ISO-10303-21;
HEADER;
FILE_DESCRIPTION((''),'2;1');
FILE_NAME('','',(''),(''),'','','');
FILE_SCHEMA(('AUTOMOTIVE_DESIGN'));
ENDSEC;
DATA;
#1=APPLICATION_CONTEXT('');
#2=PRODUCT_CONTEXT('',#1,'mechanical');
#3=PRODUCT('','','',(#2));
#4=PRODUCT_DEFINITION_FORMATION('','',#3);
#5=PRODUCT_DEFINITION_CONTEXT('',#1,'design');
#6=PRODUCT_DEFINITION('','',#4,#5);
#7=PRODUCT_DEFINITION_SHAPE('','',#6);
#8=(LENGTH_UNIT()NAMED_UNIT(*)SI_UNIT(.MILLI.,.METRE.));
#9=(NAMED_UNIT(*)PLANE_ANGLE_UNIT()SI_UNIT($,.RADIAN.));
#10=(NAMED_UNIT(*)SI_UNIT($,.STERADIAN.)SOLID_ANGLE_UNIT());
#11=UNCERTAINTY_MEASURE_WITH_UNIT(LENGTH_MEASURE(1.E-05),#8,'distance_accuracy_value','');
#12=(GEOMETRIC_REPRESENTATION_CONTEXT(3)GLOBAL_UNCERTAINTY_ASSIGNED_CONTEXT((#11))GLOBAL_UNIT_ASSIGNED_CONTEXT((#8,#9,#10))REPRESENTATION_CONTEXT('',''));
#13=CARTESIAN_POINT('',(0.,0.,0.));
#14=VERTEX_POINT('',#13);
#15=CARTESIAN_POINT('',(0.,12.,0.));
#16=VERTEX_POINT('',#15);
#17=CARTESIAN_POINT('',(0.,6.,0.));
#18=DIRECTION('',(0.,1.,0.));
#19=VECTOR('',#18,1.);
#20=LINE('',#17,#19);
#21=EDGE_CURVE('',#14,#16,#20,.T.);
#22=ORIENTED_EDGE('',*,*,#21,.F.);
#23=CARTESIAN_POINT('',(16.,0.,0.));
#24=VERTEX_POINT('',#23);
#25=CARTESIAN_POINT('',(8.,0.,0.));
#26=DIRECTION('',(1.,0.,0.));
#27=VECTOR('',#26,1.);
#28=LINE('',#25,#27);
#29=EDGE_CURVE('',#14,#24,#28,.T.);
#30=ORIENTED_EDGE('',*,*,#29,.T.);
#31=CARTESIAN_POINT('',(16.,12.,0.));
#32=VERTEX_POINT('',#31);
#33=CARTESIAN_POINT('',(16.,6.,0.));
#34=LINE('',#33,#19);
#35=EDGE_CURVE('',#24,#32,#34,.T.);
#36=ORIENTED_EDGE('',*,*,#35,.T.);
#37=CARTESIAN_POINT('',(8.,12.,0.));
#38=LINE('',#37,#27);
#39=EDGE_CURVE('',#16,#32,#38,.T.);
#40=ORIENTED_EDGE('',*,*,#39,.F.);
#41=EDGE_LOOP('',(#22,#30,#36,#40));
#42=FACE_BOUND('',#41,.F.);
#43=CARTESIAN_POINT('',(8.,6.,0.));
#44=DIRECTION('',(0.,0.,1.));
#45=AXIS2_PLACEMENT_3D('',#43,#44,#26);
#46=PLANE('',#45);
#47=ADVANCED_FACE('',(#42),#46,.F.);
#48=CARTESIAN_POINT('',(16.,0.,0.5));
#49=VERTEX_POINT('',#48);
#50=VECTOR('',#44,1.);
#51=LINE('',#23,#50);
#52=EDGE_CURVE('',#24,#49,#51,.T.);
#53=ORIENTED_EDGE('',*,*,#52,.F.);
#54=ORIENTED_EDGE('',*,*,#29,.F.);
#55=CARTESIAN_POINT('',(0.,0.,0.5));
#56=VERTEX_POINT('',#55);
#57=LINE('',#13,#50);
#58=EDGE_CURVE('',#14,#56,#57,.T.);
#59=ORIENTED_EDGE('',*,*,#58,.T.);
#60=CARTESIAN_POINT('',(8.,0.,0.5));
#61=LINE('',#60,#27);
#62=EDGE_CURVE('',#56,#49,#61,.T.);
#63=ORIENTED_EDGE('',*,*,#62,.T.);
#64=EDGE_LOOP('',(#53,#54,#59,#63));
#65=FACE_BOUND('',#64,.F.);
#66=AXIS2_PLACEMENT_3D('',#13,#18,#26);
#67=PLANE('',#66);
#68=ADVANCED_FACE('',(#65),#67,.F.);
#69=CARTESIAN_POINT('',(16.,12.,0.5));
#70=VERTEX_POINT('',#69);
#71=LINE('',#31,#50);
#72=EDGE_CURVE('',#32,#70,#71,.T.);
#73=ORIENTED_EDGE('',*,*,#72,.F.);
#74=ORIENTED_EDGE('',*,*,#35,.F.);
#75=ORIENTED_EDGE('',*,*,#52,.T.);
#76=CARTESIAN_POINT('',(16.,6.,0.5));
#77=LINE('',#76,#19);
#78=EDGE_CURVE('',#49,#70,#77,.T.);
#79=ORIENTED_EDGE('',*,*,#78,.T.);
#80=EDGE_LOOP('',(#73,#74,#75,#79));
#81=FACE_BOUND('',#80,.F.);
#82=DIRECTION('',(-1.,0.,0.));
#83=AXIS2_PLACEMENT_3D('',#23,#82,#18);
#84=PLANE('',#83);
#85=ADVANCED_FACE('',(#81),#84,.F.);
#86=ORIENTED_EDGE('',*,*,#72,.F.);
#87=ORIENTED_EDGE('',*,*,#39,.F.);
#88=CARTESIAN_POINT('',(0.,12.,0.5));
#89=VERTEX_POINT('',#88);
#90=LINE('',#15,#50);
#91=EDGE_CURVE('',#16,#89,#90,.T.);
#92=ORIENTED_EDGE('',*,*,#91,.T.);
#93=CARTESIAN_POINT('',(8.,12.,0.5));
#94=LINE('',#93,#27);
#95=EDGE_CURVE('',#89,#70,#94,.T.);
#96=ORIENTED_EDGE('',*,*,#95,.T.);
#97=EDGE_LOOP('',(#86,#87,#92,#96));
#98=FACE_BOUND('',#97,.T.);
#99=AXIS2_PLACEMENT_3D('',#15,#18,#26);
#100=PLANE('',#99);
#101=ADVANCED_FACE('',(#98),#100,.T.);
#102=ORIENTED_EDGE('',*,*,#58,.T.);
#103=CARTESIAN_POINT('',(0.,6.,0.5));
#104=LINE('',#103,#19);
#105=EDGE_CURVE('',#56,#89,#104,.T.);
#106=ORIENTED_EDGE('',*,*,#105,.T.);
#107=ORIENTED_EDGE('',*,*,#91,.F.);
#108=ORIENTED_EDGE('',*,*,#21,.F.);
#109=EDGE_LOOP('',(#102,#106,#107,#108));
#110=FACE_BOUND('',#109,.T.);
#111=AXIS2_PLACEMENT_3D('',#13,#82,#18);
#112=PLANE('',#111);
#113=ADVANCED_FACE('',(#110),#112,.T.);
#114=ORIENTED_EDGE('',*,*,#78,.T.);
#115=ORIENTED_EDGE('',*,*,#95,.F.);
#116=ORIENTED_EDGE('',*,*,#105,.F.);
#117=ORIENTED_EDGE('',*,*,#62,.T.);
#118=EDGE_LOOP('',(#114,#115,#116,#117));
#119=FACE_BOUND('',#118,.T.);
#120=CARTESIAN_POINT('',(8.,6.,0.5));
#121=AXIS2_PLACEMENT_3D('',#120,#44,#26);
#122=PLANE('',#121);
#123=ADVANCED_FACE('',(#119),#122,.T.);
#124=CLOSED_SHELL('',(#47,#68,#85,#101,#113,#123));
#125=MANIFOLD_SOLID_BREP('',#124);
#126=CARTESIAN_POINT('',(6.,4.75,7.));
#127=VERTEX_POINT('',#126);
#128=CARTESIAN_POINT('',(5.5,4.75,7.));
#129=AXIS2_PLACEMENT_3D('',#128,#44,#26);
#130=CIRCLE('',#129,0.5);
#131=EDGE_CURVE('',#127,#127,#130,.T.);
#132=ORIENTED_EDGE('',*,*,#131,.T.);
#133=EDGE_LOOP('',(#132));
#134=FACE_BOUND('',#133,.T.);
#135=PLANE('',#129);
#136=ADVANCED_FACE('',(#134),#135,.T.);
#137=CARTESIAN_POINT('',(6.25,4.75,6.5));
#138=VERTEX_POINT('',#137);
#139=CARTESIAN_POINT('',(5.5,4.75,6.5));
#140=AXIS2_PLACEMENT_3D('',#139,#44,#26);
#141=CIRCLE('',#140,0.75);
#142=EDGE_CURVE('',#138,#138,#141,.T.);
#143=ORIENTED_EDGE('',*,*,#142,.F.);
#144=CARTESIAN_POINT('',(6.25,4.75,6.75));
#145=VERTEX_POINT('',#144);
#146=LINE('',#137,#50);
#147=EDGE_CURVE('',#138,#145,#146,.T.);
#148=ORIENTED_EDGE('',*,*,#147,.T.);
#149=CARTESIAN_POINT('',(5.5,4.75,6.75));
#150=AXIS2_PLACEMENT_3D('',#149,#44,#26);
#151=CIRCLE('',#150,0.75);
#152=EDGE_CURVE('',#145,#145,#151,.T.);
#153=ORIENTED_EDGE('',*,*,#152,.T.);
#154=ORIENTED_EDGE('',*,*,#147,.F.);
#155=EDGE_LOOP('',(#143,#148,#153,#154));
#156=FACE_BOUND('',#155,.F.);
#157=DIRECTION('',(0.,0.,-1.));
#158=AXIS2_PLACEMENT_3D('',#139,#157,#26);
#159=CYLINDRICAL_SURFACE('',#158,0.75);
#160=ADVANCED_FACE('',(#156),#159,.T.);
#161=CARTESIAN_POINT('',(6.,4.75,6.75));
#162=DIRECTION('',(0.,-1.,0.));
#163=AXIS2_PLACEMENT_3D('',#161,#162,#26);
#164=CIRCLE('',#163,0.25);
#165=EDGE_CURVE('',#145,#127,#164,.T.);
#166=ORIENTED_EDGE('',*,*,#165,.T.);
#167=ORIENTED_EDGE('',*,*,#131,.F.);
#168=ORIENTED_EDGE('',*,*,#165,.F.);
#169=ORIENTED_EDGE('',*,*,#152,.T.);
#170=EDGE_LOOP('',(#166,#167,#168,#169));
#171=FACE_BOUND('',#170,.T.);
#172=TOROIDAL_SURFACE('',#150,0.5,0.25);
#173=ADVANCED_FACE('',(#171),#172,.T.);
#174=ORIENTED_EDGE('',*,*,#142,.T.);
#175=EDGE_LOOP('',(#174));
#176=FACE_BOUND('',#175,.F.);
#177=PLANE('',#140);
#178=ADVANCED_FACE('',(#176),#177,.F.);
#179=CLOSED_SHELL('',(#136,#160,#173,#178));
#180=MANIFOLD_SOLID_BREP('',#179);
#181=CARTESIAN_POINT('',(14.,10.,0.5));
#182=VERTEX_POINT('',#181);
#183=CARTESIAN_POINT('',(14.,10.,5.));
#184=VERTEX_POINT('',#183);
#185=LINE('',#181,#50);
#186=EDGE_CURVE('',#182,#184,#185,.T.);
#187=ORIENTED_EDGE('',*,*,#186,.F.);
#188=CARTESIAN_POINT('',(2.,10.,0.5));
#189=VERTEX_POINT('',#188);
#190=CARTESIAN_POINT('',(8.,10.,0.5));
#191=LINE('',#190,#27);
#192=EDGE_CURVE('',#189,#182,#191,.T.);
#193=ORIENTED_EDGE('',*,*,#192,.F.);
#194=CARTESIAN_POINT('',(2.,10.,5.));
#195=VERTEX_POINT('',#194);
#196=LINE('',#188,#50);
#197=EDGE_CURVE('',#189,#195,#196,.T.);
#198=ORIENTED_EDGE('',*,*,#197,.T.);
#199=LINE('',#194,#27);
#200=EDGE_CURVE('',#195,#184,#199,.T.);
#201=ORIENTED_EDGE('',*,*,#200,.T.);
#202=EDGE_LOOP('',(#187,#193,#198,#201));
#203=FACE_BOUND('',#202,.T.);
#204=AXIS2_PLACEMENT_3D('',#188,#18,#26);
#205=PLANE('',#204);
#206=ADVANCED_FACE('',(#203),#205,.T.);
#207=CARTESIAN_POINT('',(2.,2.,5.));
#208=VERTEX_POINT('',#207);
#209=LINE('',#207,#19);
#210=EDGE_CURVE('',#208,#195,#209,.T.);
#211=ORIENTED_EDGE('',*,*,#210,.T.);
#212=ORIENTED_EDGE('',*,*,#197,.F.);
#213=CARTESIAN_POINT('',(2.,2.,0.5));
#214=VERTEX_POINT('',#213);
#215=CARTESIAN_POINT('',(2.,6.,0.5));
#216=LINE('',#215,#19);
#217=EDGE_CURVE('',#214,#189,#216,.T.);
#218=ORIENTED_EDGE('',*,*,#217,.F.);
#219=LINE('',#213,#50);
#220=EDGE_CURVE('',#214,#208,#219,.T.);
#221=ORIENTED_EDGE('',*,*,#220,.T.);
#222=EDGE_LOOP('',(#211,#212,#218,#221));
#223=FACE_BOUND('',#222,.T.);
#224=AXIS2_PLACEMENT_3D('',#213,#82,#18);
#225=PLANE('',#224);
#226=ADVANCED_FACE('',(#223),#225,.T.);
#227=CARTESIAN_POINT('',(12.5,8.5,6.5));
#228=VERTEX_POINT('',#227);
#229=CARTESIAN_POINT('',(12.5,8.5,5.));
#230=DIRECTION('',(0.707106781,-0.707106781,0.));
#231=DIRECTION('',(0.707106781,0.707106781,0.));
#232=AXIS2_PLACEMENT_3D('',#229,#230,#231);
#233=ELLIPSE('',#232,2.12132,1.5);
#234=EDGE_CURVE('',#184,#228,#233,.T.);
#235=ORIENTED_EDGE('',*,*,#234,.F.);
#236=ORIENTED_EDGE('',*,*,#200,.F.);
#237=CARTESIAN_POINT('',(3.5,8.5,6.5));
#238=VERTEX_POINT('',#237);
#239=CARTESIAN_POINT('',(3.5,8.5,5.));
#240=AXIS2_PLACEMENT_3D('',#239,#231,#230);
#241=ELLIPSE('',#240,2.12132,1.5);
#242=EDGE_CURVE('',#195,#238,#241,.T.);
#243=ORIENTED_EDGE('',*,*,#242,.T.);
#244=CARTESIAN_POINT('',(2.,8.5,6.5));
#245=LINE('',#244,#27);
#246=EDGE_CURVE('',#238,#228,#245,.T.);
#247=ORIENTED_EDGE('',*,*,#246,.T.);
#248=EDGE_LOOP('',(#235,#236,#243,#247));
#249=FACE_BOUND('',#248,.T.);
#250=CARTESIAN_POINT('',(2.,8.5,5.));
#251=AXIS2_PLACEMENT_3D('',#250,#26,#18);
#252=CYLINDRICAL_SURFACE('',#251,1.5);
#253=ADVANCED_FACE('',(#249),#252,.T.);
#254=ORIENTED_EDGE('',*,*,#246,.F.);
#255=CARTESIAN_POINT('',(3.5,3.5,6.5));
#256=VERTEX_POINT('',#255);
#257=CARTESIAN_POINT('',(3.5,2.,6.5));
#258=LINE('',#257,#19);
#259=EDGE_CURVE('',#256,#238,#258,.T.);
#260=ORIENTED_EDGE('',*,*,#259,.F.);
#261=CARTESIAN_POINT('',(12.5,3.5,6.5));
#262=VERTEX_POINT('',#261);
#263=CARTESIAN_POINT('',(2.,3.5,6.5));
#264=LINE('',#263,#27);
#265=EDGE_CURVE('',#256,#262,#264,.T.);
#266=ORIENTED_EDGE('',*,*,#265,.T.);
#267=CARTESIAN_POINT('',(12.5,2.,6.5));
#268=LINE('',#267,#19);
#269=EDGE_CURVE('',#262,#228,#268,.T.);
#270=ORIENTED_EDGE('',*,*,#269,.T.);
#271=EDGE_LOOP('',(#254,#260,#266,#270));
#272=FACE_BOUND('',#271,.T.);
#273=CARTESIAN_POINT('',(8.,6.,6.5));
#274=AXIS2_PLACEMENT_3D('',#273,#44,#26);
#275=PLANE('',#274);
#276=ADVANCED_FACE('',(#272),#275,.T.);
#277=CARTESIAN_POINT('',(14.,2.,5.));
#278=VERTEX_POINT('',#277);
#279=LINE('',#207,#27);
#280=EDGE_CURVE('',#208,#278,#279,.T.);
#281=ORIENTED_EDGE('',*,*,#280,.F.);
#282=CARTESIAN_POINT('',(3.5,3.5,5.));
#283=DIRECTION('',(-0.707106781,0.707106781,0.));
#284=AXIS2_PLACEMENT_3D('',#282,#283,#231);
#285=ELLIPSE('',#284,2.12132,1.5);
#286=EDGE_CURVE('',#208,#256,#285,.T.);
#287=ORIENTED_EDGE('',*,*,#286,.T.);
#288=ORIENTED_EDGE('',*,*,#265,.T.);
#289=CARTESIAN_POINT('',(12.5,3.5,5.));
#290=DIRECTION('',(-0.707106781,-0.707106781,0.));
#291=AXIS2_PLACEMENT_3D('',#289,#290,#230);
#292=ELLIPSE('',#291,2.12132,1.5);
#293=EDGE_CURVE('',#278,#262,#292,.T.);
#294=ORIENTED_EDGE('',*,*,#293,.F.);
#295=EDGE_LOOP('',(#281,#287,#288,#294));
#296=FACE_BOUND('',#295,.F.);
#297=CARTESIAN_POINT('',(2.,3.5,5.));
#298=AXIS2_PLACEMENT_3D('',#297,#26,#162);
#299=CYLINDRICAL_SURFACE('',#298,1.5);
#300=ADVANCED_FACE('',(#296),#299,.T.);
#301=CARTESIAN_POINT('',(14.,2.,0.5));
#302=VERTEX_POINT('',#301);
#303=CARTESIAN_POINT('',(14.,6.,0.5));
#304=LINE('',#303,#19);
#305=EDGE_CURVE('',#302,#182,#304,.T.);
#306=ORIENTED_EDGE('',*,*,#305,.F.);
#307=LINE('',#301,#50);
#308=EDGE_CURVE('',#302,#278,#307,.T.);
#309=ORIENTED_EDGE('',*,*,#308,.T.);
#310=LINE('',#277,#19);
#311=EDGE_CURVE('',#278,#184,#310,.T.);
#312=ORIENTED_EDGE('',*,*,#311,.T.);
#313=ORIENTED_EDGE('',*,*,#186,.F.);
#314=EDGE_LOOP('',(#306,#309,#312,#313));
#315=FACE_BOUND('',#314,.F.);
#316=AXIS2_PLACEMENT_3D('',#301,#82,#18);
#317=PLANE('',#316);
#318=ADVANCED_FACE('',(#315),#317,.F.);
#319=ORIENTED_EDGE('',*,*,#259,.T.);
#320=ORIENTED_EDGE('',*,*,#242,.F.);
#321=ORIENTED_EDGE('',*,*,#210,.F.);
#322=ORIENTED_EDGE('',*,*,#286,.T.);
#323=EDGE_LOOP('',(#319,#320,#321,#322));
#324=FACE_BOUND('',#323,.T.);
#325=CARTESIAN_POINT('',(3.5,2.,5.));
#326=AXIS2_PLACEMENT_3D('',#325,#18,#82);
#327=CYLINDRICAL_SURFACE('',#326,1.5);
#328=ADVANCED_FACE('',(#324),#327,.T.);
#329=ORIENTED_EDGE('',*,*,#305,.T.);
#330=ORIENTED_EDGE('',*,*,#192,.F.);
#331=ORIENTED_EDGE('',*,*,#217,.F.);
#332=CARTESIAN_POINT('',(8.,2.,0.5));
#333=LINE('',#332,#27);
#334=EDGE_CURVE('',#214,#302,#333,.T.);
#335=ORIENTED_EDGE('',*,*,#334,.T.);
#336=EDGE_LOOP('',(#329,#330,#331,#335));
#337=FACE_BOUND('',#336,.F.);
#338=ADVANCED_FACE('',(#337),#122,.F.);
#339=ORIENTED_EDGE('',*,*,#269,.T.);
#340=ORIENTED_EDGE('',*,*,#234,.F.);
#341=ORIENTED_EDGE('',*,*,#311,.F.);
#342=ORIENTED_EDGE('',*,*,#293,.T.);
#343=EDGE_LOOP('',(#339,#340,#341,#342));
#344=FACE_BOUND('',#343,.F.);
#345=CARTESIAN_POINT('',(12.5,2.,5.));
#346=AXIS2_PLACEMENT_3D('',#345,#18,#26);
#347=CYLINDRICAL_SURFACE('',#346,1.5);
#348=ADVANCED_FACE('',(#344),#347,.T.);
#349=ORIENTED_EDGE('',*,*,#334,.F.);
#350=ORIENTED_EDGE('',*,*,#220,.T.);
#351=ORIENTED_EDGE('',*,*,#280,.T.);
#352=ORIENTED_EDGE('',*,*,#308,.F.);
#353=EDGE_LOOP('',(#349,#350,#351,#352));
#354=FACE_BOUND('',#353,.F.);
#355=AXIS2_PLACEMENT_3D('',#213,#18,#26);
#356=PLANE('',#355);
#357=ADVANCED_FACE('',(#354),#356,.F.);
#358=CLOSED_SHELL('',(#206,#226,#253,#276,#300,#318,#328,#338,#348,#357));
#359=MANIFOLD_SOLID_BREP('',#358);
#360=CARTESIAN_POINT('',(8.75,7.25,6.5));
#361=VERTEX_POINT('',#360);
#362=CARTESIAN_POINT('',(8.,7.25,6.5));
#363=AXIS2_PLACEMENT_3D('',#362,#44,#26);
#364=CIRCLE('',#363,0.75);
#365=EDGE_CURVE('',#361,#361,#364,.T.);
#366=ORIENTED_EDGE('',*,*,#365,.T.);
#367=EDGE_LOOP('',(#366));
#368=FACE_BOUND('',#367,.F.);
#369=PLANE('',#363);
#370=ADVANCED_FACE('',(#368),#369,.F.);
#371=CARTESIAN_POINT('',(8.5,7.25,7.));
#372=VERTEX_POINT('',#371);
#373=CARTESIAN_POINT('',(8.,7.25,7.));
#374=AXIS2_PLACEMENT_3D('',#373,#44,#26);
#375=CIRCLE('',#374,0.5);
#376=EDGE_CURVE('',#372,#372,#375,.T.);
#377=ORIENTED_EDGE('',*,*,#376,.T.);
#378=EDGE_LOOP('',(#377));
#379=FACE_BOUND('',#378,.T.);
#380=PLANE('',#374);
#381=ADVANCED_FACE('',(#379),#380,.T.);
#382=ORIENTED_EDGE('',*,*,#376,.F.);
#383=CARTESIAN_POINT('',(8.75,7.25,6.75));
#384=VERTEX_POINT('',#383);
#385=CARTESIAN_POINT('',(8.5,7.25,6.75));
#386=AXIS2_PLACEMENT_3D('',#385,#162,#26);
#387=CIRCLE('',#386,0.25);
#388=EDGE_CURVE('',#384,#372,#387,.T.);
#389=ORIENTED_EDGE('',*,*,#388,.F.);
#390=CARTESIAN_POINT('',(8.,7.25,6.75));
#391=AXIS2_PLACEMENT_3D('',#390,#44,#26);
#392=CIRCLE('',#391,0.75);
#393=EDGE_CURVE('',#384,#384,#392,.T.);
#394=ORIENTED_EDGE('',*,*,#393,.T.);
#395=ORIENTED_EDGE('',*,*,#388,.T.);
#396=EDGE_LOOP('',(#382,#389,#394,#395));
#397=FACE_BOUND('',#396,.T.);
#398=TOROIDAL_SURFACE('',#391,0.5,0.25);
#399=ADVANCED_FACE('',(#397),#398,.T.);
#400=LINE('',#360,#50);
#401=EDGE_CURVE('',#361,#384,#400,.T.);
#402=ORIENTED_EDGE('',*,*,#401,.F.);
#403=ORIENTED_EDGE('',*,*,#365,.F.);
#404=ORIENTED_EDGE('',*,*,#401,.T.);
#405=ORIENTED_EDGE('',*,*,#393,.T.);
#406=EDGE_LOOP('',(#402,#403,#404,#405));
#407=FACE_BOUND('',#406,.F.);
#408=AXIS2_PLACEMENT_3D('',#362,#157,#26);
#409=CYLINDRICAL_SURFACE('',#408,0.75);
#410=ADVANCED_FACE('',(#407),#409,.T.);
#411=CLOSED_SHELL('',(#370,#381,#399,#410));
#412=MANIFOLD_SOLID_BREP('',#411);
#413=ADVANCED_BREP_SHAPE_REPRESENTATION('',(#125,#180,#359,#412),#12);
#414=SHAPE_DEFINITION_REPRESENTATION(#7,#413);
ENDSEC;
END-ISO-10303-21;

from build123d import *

# Parameters (mm, degrees)
SKETCH_W     = 16
SKETCH_H     = 12
PAD_DEPTH    = 0.5
SKETCH001_W  = 12
SKETCH001_H  = 8
PAD001_DEPTH = 6
FILLET_R     = 1.5
SKETCH002_R  = 0.75
PAD002_DEPTH = 0.5
FILLET001_R  = 0.25
SKETCH005_R  = 0.75
PAD005_DEPTH = 0.5
FILLET004_R  = 0.25


with BuildPart() as pad:
    # Sketch → Pad (new body)
    with BuildSketch(Plane.XY):
        with Locations((8, 6)):
            Rectangle(SKETCH_W, SKETCH_H)
    extrude(amount=PAD_DEPTH)


with BuildPart() as fillet_body:
    # Sketch001 → Pad001 (new body)
    with BuildSketch(Plane.XY.offset(0.5)):
        with Locations((8, 6)):
            Rectangle(SKETCH001_W, SKETCH001_H)
    extrude(amount=PAD001_DEPTH)

    # Fillet
    fillet_edges = [fillet_body.edges().sort_by_distance(p)[0] for p in [
        (8, 2, 6.5),
        (14, 6, 6.5),
        (8, 10, 6.5),
        (2, 6, 6.5),
    ]]
    fillet(fillet_edges, radius=FILLET_R)


with BuildPart() as fillet001:
    # Sketch002 → Pad002 (new body)
    with BuildSketch(Plane.XY.offset(6.5)):
        with Locations((5.5, 4.75)):
            Circle(SKETCH002_R)
    extrude(amount=PAD002_DEPTH)

    # Fillet001
    fillet001_edges = [fillet001.edges().sort_by_distance(p)[0] for p in [
        (4.75, 4.75, 7),
    ]]
    fillet(fillet001_edges, radius=FILLET001_R)


with BuildPart() as fillet004:
    # Sketch005 → Pad005 (new body)
    with BuildSketch(Plane.XY.offset(6.5)):
        with Locations((8, 7.25)):
            Circle(SKETCH005_R)
    extrude(amount=PAD005_DEPTH)

    # Fillet004
    fillet004_edges = [fillet004.edges().sort_by_distance(p)[0] for p in [
        (7.25, 7.25, 7),
    ]]
    fillet(fillet004_edges, radius=FILLET004_R)


solid = Compound([pad.part, fillet_body.part, fillet001.part, fillet004.part])
